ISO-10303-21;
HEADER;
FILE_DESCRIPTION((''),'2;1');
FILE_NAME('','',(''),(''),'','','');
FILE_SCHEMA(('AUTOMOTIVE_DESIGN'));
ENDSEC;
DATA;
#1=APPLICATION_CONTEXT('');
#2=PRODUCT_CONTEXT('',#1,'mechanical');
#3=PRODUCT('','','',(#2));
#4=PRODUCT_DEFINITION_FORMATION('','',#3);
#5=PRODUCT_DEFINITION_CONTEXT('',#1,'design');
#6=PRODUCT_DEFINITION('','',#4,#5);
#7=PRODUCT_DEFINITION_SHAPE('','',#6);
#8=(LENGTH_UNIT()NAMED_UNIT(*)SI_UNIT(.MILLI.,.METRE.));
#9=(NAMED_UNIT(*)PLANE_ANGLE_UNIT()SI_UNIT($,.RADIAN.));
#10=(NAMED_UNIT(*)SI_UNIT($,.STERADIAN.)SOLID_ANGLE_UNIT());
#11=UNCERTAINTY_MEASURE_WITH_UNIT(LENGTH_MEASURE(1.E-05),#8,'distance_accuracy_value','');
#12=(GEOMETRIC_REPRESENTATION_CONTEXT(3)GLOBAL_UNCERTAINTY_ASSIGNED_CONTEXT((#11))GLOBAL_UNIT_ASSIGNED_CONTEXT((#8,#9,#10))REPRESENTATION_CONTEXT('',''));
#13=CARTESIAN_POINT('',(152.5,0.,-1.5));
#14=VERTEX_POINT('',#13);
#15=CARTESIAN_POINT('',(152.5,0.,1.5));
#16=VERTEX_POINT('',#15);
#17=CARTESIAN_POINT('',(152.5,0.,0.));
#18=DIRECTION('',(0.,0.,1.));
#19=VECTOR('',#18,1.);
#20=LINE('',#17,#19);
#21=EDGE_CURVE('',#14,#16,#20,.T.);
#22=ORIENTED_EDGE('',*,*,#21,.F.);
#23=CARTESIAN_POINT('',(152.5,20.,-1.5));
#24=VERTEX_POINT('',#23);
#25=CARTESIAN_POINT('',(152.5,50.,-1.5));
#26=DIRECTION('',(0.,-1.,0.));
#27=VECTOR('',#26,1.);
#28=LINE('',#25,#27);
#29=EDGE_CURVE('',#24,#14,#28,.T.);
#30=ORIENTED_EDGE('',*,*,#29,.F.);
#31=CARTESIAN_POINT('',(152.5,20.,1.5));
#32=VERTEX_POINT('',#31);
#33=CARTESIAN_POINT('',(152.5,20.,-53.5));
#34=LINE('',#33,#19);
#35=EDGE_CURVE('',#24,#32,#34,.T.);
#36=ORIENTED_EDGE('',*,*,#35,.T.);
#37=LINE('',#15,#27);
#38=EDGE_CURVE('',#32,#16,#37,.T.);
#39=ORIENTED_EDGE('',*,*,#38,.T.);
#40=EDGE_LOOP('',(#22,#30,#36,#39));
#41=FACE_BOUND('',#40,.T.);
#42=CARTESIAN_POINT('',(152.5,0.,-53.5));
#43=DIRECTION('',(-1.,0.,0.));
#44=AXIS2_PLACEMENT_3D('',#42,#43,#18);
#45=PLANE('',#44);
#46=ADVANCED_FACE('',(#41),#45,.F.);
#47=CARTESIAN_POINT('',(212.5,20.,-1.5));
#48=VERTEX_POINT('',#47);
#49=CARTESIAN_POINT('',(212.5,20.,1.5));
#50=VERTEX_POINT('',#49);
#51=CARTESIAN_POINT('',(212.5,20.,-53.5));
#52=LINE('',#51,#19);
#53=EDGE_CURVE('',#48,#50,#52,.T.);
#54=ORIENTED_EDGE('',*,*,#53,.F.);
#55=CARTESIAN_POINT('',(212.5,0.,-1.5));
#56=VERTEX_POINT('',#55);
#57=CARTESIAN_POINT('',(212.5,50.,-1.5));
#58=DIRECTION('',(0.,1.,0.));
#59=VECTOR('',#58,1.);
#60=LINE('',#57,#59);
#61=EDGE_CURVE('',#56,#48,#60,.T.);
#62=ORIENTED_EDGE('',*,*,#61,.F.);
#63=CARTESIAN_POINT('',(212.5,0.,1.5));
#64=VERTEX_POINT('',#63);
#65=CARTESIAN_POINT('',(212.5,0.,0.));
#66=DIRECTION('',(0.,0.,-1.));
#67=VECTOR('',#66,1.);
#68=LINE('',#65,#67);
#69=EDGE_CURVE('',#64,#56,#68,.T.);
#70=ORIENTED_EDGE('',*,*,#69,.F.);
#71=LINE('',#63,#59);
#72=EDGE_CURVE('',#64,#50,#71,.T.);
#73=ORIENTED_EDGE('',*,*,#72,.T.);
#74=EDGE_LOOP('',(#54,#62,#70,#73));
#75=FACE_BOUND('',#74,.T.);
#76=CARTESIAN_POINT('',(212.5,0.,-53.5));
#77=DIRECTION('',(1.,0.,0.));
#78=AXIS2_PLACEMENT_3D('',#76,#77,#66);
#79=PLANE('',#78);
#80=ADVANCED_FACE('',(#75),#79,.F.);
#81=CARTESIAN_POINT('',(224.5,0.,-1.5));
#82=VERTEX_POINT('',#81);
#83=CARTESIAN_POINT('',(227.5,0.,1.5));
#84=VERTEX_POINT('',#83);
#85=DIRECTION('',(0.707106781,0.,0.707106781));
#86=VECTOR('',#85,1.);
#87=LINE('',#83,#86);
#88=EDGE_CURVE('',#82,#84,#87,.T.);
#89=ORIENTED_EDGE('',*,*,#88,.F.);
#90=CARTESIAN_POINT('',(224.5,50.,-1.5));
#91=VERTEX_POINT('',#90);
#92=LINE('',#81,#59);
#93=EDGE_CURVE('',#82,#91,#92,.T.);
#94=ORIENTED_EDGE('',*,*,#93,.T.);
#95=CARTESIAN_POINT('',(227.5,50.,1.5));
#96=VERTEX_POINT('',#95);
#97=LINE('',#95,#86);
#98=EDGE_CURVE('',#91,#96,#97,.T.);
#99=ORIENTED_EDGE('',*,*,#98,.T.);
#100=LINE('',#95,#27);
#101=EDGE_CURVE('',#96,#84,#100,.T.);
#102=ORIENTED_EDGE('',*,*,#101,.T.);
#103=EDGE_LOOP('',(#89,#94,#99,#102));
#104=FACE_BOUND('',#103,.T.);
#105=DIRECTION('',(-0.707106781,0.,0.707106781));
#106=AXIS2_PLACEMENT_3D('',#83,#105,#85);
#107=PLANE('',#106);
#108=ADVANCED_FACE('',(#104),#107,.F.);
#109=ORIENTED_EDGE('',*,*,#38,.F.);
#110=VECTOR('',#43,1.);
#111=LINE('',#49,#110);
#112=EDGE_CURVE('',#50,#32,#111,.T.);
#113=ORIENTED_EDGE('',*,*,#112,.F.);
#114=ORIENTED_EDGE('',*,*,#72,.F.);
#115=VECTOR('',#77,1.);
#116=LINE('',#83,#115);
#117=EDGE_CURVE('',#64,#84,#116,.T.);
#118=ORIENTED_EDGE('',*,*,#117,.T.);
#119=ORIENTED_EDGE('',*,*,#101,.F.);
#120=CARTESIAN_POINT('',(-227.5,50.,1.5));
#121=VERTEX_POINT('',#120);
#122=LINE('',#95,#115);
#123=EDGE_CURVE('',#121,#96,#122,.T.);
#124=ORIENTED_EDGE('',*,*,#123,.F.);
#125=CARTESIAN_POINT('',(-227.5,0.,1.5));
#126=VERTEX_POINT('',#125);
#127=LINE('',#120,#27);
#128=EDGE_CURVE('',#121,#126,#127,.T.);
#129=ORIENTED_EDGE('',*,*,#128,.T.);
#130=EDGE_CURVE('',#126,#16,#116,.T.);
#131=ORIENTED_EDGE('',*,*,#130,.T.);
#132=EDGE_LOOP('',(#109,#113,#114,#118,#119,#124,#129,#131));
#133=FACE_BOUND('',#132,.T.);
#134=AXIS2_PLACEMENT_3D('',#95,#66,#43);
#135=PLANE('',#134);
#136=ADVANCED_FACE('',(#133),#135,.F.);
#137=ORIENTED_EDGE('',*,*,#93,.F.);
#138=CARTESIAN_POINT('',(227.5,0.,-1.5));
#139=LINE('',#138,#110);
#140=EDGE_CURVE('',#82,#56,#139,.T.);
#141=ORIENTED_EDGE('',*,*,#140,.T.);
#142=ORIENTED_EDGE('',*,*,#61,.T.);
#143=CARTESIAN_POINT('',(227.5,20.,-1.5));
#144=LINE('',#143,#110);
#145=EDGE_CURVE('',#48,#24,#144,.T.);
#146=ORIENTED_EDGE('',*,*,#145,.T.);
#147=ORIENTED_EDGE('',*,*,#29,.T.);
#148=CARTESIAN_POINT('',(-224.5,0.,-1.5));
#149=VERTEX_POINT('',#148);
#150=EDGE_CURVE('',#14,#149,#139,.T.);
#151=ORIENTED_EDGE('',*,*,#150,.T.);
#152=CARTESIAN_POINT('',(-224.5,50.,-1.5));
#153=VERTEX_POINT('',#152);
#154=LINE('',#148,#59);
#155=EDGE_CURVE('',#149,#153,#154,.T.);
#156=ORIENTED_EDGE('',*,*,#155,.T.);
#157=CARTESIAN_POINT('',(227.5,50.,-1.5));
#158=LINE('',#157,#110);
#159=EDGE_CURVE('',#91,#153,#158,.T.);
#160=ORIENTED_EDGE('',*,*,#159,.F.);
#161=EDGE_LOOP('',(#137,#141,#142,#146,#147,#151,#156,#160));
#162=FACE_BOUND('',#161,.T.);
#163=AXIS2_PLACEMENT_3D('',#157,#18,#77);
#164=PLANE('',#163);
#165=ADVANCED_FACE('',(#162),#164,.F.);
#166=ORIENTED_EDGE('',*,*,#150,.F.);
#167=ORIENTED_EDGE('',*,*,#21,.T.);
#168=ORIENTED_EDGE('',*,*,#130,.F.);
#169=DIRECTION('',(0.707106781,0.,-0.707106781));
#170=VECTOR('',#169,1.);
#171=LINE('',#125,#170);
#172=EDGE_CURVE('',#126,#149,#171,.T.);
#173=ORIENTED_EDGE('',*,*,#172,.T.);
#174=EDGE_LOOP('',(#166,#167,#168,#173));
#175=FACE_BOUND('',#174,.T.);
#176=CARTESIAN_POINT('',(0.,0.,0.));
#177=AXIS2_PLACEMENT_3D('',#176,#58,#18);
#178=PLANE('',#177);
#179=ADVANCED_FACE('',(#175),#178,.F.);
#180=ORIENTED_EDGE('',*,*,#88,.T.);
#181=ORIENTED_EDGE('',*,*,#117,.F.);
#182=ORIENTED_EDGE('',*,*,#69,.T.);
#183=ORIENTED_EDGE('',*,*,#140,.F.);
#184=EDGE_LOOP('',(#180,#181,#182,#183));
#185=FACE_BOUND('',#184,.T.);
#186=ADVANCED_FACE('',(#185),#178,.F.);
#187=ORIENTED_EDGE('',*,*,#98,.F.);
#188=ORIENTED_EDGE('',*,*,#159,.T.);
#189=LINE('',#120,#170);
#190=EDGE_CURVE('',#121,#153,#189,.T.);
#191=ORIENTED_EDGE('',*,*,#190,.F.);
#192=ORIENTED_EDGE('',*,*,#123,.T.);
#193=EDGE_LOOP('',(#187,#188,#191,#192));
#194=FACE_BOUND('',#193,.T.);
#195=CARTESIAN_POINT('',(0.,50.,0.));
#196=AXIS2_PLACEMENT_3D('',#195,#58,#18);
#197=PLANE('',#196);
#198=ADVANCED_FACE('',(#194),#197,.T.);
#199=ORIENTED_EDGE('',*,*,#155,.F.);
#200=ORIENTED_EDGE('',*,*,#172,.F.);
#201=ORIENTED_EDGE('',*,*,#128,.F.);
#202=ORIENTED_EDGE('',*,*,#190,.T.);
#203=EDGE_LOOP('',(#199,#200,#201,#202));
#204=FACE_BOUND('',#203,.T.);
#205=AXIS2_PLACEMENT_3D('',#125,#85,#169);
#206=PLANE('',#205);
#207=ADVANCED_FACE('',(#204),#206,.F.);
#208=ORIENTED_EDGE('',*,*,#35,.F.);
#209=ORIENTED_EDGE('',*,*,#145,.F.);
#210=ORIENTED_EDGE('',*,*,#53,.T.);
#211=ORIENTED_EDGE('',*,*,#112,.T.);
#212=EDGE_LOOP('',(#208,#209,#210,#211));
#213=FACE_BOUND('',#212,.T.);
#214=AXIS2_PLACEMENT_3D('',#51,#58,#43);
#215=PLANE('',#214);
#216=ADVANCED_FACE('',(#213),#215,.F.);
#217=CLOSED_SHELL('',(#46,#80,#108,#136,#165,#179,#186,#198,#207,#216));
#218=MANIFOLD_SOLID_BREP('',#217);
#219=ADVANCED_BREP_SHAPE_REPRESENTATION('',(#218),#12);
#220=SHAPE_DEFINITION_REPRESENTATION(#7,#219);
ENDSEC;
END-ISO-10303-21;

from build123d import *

# Parameters (mm, degrees)
SKETCH1_W           = 455
SKETCH1_H           = 3
BOSS_EXTRUDE1_DEPTH = 50
SKETCH2_W           = 60
SKETCH2_H           = 20
CUT_EXTRUDE1_DEPTH  = 55
CUT_EXTRUDE2_DEPTH  = 233.934540161


with BuildPart() as part:
    # Sketch1 → Boss-Extrude1 (new body)
    with BuildSketch(Plane(origin=(0, 0, 0), x_dir=(1, 0, 0), z_dir=(0, 1, 0))):
        Rectangle(SKETCH1_W, SKETCH1_H)
    extrude(amount=BOSS_EXTRUDE1_DEPTH)

    # Sketch2 → Cut-Extrude1 (cut)
    with BuildSketch(Plane.XY.offset(1.5)):
        with Locations((182.5, 10)):
            Rectangle(SKETCH2_W, SKETCH2_H)
    extrude(amount=-CUT_EXTRUDE1_DEPTH, mode=Mode.SUBTRACT)

    # Sketch3 → Cut-Extrude2 (cut, through all)
    with BuildSketch(Plane(origin=(0, 50, 0), x_dir=(1, 0, 0), z_dir=(0, 1, 0))):
        Polygon((-227.5, 1.5), (-227.5, -1.5), (-224.5, 1.5), align=None)
        Polygon((227.5, 1.5), (227.5, -1.5), (224.5, 1.5), align=None)
    extrude(amount=-CUT_EXTRUDE2_DEPTH, mode=Mode.SUBTRACT)


solid = part.part
